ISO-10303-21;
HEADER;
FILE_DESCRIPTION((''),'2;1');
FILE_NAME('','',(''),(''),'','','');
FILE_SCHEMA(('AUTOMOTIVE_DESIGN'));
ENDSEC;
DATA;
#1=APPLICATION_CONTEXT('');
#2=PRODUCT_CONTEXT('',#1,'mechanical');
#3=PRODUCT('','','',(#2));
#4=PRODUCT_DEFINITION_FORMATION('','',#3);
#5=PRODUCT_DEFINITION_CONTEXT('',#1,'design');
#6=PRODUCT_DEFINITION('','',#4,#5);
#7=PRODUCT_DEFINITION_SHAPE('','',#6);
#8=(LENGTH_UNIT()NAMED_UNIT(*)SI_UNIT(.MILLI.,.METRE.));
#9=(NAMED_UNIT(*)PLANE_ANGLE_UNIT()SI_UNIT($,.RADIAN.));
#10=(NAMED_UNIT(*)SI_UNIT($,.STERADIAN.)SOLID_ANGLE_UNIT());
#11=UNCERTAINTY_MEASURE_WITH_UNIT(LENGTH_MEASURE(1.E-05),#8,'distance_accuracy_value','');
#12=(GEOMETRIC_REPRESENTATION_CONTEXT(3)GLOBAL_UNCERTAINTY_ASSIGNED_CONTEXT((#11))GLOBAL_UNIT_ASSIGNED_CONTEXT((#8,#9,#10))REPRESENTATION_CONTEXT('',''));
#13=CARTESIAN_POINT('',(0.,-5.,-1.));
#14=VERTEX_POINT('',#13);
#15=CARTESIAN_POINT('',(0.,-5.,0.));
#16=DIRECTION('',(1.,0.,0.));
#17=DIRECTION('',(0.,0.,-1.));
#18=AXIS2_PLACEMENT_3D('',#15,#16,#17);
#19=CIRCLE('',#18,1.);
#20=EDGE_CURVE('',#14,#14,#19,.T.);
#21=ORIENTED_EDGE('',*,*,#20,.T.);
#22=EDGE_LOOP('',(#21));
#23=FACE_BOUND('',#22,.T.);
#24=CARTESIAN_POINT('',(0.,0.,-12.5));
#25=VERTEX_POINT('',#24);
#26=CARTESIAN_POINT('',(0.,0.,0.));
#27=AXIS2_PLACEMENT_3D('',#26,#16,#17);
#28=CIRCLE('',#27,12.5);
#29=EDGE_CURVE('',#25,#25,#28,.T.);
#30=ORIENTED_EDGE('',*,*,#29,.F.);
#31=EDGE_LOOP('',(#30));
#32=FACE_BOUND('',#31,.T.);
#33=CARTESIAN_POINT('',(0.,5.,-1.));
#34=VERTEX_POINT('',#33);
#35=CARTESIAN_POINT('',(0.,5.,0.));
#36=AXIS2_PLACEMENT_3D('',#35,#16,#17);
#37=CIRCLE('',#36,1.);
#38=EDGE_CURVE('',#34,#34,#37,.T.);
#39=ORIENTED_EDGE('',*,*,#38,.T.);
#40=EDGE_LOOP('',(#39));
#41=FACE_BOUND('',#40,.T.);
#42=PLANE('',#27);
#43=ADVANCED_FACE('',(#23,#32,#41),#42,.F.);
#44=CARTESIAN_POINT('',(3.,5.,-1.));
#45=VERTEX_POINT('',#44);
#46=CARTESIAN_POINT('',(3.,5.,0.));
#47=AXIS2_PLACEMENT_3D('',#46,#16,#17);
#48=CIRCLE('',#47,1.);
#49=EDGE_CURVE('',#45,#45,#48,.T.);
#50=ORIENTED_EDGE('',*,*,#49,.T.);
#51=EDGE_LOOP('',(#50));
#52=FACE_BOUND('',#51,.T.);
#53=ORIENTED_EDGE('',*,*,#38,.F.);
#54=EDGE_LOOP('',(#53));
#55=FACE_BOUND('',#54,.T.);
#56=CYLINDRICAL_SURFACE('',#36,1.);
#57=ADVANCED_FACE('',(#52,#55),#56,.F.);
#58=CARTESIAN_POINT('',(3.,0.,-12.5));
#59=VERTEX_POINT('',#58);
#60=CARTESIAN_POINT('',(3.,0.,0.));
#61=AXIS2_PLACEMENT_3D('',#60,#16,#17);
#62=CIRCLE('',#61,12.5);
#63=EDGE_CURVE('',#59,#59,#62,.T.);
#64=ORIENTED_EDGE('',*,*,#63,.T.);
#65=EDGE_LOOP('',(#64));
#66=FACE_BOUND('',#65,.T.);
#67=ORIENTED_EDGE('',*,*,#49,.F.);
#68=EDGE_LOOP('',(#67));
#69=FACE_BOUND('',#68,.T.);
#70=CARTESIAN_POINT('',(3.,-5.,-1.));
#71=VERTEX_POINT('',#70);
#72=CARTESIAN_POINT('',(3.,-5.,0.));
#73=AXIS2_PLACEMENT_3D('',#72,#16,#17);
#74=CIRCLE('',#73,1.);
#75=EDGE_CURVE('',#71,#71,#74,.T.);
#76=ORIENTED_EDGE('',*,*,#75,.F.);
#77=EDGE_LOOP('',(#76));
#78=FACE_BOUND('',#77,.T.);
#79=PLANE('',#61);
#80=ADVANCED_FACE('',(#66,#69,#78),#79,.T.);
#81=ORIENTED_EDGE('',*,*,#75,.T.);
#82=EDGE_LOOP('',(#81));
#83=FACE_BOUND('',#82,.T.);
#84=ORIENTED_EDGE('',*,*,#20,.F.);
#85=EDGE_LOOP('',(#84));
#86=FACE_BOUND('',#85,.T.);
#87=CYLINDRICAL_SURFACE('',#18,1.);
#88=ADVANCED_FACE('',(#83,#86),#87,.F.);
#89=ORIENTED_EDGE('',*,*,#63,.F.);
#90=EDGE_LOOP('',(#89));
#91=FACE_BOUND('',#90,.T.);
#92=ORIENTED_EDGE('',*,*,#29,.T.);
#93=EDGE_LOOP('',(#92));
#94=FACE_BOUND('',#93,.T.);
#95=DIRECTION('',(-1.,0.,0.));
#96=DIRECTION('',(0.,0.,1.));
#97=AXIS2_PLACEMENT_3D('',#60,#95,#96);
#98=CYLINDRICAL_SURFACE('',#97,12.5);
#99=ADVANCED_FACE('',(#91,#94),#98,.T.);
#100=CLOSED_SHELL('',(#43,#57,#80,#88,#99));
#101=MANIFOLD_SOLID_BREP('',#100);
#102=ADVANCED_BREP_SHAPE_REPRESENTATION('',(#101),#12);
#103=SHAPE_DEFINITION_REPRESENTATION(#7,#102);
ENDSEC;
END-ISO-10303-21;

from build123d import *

# Parameters (mm, degrees)
SKETCH_1_R          = 12.5
EXTRUDE_1_DEPTH     = 3
SKETCH_2_R          = 1
CUT_EXTRUDE_1_DEPTH = 3


with BuildPart() as part:
    # 草图1 → 凸台-拉伸1 (new body)
    with BuildSketch(Plane(origin=(0, 0, 0), x_dir=(0, 0, -1), z_dir=(1, 0, 0))):
        Circle(SKETCH_1_R)
    extrude(amount=EXTRUDE_1_DEPTH)

    # 草图2 → 切除-拉伸1 (cut)
    with BuildSketch(Plane(origin=(3, 0, 0), x_dir=(0, 0, -1), z_dir=(1, 0, 0))):
        with Locations((0, 5)):
            Circle(SKETCH_2_R)
        with Locations((0, -5)):
            Circle(SKETCH_2_R)
    extrude(amount=-CUT_EXTRUDE_1_DEPTH, mode=Mode.SUBTRACT)


solid = part.part
